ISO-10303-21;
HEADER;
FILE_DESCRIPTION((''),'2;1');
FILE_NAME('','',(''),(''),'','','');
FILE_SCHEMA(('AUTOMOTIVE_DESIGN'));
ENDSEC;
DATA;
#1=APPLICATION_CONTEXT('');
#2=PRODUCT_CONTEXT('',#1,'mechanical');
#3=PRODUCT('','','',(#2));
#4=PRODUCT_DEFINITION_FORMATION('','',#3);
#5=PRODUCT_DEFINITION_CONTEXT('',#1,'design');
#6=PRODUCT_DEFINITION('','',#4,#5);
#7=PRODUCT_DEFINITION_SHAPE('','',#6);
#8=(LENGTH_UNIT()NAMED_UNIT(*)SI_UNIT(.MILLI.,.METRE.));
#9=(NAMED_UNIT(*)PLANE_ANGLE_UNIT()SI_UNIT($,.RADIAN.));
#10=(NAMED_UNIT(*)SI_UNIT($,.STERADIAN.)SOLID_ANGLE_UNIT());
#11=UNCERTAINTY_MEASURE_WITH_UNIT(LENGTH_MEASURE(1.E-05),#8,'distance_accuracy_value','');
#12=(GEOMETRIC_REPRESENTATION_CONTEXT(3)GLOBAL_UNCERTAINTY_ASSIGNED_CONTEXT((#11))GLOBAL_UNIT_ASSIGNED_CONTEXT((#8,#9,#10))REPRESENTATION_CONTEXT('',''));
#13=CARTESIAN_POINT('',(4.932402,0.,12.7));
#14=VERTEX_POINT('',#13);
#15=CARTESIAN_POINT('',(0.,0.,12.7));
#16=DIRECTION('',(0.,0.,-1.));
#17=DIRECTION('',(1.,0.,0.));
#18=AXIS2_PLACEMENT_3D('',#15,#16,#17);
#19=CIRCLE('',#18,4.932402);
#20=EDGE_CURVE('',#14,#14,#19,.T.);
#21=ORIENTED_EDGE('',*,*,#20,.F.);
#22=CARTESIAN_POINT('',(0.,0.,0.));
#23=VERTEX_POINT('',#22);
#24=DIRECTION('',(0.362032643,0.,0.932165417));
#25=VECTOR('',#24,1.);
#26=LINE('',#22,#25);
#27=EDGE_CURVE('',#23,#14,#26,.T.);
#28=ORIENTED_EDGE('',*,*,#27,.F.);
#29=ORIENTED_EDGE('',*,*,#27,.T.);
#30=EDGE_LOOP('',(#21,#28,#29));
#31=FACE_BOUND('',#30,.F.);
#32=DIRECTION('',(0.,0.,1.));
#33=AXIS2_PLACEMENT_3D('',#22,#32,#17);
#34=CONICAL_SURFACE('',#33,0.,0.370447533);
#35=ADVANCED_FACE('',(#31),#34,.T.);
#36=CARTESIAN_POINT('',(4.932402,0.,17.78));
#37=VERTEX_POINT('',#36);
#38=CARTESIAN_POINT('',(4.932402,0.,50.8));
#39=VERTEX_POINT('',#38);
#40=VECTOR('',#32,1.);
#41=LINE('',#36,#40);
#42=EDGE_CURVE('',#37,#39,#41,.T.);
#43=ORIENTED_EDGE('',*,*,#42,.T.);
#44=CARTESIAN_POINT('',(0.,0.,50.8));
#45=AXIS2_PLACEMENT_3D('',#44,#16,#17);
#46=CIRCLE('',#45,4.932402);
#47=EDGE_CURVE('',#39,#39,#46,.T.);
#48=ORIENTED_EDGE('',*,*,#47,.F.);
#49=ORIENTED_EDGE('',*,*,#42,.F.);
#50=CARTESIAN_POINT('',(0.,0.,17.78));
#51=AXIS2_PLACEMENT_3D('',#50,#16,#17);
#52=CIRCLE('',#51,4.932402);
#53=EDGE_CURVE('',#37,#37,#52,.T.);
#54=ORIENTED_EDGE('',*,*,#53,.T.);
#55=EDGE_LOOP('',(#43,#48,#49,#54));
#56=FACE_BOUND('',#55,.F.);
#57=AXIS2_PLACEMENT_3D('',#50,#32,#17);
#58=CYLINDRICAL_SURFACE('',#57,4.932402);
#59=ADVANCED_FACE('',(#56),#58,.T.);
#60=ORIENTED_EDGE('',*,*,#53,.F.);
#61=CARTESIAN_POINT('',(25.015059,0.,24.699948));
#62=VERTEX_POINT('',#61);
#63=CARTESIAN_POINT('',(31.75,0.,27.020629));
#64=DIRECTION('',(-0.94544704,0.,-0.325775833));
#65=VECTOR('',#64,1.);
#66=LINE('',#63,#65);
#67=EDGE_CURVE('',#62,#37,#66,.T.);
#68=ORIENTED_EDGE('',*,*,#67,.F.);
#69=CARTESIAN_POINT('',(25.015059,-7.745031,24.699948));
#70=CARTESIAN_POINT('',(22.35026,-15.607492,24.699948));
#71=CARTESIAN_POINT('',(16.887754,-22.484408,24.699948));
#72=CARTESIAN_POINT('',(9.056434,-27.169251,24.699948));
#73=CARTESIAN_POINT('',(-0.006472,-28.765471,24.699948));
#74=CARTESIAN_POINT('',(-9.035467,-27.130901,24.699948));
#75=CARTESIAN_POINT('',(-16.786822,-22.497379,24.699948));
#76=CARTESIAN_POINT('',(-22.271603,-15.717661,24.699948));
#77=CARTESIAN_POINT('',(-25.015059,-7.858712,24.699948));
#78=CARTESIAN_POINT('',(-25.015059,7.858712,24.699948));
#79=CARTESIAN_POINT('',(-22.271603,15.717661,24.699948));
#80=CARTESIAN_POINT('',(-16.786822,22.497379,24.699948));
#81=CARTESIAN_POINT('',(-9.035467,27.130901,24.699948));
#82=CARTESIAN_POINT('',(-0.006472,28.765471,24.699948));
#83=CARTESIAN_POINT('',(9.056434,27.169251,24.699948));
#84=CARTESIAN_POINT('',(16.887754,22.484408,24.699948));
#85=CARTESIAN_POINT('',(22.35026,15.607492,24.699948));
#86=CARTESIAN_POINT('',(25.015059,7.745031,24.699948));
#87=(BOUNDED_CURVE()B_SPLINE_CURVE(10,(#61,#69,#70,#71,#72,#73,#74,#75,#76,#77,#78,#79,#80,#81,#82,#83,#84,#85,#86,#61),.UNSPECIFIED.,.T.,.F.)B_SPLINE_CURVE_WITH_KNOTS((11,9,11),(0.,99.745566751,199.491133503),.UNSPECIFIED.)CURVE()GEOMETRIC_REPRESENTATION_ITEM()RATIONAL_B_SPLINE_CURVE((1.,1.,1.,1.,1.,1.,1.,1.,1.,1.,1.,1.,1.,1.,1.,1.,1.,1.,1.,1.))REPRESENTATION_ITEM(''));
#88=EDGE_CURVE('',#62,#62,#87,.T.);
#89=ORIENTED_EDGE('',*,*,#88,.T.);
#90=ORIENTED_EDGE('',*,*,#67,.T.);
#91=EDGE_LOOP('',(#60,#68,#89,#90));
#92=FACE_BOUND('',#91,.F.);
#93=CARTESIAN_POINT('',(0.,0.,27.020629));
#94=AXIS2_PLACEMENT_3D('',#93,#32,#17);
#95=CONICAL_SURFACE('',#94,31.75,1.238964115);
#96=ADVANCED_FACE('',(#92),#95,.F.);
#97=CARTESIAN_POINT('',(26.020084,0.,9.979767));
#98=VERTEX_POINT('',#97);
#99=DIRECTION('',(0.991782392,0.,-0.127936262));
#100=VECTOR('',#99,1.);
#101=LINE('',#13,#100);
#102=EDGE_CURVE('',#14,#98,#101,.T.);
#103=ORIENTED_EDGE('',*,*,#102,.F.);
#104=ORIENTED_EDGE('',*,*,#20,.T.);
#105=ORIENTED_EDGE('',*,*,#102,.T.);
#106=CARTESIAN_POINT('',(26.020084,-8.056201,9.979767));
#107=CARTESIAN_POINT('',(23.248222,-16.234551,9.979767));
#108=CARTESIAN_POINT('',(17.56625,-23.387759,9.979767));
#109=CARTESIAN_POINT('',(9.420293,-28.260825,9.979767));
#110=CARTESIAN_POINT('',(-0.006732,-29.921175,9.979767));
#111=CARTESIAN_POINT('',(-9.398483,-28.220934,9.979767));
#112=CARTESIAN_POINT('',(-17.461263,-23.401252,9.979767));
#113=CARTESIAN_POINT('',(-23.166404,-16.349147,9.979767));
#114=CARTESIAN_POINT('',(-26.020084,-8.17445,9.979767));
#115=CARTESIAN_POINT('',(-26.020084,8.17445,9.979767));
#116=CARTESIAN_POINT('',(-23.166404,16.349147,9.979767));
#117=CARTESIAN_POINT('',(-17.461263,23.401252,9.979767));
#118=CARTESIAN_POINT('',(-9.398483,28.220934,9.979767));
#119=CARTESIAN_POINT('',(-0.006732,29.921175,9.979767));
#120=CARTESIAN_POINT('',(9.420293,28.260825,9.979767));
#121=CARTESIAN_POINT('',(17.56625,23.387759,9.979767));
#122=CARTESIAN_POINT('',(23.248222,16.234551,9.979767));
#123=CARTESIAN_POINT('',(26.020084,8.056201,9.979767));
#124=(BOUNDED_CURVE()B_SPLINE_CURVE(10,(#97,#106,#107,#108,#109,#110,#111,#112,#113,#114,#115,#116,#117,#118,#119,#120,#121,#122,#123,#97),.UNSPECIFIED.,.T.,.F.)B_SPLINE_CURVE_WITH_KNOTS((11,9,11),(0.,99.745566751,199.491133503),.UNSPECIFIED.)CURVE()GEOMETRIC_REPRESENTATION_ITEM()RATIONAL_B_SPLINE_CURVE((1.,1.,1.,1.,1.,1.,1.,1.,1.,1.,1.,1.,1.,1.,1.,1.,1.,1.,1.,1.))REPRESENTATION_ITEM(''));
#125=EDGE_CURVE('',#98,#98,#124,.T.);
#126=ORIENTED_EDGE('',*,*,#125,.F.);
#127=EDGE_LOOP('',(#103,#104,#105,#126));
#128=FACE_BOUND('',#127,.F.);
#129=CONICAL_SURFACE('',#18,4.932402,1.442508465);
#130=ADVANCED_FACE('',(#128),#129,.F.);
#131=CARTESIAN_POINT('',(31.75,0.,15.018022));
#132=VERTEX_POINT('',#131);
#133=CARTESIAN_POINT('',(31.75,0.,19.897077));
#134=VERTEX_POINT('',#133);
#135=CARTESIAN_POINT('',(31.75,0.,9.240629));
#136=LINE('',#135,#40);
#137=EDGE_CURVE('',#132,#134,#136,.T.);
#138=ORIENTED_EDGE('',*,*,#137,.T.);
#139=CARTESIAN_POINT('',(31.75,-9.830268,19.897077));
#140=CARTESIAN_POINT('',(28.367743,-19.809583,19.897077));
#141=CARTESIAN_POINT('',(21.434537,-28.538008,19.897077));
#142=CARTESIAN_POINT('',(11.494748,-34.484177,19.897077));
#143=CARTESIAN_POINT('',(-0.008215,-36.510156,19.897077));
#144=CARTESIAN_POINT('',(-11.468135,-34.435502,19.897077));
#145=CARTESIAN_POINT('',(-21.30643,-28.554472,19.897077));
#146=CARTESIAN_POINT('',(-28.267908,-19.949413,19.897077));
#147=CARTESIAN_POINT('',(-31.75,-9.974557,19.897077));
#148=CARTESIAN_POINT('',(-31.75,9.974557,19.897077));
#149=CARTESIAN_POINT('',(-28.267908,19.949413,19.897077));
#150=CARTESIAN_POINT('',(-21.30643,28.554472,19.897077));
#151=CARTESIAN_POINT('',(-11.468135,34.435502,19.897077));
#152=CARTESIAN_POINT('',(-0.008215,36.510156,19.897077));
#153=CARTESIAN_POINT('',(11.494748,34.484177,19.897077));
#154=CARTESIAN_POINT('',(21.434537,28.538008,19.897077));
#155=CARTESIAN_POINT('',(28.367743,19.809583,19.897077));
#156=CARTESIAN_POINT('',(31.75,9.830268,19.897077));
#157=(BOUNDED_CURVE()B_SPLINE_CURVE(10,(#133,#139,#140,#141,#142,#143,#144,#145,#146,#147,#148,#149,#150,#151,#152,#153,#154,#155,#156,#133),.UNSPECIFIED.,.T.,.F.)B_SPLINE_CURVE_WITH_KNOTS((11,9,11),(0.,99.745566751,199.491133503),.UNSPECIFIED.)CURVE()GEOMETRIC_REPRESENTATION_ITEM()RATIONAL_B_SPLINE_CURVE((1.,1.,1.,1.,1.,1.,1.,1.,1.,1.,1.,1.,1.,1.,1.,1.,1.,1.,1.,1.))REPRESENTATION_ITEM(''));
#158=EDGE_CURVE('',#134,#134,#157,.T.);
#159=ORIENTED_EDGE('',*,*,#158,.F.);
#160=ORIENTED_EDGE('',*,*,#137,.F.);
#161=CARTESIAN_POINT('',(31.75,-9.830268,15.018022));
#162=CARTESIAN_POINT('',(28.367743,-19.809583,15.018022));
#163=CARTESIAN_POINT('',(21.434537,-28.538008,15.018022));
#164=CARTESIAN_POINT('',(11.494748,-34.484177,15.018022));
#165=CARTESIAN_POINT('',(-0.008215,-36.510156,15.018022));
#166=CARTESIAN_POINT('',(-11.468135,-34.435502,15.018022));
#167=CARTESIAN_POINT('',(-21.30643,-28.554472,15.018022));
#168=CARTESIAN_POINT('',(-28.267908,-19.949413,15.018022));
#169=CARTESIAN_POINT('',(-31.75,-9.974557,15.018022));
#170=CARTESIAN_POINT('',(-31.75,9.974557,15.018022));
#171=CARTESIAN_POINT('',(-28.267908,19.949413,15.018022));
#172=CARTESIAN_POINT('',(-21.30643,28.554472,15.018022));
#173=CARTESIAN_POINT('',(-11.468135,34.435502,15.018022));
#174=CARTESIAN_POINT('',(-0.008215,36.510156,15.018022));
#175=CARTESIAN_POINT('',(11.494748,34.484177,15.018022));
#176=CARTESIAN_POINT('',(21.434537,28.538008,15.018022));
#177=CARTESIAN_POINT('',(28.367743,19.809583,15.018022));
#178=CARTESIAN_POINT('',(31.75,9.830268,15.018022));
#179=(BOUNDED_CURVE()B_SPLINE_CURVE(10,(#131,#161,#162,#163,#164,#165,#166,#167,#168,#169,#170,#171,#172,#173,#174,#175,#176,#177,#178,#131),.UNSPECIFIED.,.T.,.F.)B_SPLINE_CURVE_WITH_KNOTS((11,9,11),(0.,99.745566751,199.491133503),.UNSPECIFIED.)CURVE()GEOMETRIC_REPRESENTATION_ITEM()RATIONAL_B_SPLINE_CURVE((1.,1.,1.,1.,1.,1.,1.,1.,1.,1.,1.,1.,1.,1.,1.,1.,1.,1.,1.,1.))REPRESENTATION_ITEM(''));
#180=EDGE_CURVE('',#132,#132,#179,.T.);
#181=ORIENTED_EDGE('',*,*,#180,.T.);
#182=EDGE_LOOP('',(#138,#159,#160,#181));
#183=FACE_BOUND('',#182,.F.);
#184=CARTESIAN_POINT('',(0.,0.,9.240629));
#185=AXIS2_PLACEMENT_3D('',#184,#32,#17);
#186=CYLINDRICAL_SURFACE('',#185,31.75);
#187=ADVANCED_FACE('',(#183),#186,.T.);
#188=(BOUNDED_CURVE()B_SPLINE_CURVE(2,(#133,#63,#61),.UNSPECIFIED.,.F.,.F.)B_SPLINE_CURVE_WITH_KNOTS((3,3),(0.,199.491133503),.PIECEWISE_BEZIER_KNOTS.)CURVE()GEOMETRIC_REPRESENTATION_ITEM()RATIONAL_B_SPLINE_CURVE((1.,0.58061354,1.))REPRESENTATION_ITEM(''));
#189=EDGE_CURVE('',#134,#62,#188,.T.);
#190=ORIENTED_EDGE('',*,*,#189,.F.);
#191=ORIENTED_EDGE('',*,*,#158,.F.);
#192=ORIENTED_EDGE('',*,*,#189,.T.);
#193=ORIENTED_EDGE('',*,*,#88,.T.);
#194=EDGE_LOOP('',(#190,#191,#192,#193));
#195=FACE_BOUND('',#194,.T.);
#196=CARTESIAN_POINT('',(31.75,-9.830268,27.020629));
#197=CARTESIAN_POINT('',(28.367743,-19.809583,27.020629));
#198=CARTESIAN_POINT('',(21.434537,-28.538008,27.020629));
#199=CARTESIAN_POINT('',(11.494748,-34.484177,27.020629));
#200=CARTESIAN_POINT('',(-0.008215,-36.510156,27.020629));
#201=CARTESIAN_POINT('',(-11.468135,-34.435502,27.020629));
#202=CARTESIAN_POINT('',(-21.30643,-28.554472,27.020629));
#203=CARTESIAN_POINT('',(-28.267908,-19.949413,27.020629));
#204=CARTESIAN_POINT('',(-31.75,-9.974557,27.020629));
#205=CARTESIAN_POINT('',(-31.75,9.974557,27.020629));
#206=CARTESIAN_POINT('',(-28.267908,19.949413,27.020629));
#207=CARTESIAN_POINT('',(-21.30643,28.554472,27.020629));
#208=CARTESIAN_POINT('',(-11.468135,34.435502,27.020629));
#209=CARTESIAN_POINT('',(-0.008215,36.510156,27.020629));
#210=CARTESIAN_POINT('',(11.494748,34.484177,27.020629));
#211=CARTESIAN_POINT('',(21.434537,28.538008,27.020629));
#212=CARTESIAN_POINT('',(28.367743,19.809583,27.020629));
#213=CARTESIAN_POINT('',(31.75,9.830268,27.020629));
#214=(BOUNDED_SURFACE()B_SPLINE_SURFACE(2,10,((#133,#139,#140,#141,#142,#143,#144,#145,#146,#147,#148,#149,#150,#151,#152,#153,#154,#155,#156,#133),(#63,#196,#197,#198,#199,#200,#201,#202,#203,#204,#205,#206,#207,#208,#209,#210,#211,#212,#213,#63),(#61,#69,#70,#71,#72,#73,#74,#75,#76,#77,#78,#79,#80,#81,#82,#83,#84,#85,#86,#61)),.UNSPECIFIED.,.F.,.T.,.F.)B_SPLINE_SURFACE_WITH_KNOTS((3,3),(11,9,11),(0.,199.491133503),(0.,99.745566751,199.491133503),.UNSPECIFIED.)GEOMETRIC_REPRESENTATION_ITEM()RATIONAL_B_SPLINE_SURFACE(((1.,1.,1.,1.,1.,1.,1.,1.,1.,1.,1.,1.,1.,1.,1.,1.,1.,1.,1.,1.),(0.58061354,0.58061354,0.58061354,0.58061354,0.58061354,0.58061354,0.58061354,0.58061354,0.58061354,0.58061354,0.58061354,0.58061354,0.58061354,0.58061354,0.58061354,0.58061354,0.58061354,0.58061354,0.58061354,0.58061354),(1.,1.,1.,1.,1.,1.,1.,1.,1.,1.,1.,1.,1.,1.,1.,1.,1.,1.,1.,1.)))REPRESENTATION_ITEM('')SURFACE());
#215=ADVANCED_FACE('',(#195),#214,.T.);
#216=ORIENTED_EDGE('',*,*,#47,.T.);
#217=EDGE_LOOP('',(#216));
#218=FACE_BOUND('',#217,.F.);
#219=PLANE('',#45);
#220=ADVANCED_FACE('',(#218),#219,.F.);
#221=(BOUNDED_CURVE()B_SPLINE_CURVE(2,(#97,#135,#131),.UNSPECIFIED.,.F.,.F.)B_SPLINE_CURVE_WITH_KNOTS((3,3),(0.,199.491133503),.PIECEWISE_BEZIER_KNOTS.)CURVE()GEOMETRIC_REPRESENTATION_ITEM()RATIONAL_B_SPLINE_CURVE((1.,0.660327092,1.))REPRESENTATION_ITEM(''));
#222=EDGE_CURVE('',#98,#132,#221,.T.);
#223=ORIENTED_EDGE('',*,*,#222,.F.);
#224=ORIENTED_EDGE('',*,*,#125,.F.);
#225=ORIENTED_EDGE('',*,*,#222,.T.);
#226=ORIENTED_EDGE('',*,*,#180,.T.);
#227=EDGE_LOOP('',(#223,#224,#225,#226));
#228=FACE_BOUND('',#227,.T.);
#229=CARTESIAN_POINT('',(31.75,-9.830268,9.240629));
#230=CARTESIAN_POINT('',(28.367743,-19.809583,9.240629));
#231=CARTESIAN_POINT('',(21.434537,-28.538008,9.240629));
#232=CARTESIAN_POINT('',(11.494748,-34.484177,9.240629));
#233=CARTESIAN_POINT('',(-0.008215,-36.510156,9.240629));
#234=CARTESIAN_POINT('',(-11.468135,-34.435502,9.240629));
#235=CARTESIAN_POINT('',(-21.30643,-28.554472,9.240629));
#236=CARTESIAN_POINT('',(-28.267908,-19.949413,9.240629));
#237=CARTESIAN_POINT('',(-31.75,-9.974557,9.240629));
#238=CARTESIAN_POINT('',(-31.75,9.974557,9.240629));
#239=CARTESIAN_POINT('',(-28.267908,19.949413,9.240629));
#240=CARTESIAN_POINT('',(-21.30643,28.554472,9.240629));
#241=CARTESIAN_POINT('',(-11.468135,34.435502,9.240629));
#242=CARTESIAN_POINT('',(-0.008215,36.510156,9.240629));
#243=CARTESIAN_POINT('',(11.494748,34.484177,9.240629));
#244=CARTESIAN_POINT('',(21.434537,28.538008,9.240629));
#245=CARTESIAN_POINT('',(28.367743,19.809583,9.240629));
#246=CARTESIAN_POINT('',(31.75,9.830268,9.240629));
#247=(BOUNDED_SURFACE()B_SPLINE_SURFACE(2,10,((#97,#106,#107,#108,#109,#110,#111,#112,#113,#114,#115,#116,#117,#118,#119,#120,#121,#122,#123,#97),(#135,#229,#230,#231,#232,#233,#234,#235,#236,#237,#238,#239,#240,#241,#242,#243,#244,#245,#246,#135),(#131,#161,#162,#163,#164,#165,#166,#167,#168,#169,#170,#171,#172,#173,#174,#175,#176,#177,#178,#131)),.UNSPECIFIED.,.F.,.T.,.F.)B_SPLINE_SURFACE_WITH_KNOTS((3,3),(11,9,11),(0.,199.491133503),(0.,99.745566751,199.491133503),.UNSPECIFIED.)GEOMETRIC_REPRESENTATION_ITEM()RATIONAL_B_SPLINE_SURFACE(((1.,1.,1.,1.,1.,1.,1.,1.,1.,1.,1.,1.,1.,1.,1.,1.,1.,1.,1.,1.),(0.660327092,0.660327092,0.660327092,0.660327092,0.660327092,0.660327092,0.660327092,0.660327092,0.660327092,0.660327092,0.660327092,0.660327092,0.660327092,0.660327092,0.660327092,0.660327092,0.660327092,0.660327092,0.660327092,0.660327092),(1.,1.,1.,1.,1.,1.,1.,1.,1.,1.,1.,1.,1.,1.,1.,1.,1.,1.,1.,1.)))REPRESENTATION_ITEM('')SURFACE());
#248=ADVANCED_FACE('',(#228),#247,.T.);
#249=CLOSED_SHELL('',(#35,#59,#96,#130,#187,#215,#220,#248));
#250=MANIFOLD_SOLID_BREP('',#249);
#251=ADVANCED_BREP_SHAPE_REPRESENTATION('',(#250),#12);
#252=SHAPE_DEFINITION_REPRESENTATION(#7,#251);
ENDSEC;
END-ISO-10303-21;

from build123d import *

# Parameters (mm, degrees)
F2_R = 5.08


with BuildPart() as f1:
    # F0 (on Front) → F1 (revolve)
    with BuildSketch(Plane.XZ):
        Polygon((0, 50.8), (0, 0), (4.932402, 12.7), (31.75, 9.240629), (31.75, 27.020629), (4.932402, 17.78), (4.932402, 50.8), align=None)
    revolve(axis=Axis((0, 0, 25.4), (0, 0, -1)))

    # F2
    f2_edges = [f1.edges().sort_by_distance(p)[0] for p in [
        (-31.75, 0, 9.240629),
        (-31.75, 0, 27.020629),
        (31.75, 0, 18.130629),
    ]]
    fillet(f2_edges, radius=F2_R)


solid = f1.part
